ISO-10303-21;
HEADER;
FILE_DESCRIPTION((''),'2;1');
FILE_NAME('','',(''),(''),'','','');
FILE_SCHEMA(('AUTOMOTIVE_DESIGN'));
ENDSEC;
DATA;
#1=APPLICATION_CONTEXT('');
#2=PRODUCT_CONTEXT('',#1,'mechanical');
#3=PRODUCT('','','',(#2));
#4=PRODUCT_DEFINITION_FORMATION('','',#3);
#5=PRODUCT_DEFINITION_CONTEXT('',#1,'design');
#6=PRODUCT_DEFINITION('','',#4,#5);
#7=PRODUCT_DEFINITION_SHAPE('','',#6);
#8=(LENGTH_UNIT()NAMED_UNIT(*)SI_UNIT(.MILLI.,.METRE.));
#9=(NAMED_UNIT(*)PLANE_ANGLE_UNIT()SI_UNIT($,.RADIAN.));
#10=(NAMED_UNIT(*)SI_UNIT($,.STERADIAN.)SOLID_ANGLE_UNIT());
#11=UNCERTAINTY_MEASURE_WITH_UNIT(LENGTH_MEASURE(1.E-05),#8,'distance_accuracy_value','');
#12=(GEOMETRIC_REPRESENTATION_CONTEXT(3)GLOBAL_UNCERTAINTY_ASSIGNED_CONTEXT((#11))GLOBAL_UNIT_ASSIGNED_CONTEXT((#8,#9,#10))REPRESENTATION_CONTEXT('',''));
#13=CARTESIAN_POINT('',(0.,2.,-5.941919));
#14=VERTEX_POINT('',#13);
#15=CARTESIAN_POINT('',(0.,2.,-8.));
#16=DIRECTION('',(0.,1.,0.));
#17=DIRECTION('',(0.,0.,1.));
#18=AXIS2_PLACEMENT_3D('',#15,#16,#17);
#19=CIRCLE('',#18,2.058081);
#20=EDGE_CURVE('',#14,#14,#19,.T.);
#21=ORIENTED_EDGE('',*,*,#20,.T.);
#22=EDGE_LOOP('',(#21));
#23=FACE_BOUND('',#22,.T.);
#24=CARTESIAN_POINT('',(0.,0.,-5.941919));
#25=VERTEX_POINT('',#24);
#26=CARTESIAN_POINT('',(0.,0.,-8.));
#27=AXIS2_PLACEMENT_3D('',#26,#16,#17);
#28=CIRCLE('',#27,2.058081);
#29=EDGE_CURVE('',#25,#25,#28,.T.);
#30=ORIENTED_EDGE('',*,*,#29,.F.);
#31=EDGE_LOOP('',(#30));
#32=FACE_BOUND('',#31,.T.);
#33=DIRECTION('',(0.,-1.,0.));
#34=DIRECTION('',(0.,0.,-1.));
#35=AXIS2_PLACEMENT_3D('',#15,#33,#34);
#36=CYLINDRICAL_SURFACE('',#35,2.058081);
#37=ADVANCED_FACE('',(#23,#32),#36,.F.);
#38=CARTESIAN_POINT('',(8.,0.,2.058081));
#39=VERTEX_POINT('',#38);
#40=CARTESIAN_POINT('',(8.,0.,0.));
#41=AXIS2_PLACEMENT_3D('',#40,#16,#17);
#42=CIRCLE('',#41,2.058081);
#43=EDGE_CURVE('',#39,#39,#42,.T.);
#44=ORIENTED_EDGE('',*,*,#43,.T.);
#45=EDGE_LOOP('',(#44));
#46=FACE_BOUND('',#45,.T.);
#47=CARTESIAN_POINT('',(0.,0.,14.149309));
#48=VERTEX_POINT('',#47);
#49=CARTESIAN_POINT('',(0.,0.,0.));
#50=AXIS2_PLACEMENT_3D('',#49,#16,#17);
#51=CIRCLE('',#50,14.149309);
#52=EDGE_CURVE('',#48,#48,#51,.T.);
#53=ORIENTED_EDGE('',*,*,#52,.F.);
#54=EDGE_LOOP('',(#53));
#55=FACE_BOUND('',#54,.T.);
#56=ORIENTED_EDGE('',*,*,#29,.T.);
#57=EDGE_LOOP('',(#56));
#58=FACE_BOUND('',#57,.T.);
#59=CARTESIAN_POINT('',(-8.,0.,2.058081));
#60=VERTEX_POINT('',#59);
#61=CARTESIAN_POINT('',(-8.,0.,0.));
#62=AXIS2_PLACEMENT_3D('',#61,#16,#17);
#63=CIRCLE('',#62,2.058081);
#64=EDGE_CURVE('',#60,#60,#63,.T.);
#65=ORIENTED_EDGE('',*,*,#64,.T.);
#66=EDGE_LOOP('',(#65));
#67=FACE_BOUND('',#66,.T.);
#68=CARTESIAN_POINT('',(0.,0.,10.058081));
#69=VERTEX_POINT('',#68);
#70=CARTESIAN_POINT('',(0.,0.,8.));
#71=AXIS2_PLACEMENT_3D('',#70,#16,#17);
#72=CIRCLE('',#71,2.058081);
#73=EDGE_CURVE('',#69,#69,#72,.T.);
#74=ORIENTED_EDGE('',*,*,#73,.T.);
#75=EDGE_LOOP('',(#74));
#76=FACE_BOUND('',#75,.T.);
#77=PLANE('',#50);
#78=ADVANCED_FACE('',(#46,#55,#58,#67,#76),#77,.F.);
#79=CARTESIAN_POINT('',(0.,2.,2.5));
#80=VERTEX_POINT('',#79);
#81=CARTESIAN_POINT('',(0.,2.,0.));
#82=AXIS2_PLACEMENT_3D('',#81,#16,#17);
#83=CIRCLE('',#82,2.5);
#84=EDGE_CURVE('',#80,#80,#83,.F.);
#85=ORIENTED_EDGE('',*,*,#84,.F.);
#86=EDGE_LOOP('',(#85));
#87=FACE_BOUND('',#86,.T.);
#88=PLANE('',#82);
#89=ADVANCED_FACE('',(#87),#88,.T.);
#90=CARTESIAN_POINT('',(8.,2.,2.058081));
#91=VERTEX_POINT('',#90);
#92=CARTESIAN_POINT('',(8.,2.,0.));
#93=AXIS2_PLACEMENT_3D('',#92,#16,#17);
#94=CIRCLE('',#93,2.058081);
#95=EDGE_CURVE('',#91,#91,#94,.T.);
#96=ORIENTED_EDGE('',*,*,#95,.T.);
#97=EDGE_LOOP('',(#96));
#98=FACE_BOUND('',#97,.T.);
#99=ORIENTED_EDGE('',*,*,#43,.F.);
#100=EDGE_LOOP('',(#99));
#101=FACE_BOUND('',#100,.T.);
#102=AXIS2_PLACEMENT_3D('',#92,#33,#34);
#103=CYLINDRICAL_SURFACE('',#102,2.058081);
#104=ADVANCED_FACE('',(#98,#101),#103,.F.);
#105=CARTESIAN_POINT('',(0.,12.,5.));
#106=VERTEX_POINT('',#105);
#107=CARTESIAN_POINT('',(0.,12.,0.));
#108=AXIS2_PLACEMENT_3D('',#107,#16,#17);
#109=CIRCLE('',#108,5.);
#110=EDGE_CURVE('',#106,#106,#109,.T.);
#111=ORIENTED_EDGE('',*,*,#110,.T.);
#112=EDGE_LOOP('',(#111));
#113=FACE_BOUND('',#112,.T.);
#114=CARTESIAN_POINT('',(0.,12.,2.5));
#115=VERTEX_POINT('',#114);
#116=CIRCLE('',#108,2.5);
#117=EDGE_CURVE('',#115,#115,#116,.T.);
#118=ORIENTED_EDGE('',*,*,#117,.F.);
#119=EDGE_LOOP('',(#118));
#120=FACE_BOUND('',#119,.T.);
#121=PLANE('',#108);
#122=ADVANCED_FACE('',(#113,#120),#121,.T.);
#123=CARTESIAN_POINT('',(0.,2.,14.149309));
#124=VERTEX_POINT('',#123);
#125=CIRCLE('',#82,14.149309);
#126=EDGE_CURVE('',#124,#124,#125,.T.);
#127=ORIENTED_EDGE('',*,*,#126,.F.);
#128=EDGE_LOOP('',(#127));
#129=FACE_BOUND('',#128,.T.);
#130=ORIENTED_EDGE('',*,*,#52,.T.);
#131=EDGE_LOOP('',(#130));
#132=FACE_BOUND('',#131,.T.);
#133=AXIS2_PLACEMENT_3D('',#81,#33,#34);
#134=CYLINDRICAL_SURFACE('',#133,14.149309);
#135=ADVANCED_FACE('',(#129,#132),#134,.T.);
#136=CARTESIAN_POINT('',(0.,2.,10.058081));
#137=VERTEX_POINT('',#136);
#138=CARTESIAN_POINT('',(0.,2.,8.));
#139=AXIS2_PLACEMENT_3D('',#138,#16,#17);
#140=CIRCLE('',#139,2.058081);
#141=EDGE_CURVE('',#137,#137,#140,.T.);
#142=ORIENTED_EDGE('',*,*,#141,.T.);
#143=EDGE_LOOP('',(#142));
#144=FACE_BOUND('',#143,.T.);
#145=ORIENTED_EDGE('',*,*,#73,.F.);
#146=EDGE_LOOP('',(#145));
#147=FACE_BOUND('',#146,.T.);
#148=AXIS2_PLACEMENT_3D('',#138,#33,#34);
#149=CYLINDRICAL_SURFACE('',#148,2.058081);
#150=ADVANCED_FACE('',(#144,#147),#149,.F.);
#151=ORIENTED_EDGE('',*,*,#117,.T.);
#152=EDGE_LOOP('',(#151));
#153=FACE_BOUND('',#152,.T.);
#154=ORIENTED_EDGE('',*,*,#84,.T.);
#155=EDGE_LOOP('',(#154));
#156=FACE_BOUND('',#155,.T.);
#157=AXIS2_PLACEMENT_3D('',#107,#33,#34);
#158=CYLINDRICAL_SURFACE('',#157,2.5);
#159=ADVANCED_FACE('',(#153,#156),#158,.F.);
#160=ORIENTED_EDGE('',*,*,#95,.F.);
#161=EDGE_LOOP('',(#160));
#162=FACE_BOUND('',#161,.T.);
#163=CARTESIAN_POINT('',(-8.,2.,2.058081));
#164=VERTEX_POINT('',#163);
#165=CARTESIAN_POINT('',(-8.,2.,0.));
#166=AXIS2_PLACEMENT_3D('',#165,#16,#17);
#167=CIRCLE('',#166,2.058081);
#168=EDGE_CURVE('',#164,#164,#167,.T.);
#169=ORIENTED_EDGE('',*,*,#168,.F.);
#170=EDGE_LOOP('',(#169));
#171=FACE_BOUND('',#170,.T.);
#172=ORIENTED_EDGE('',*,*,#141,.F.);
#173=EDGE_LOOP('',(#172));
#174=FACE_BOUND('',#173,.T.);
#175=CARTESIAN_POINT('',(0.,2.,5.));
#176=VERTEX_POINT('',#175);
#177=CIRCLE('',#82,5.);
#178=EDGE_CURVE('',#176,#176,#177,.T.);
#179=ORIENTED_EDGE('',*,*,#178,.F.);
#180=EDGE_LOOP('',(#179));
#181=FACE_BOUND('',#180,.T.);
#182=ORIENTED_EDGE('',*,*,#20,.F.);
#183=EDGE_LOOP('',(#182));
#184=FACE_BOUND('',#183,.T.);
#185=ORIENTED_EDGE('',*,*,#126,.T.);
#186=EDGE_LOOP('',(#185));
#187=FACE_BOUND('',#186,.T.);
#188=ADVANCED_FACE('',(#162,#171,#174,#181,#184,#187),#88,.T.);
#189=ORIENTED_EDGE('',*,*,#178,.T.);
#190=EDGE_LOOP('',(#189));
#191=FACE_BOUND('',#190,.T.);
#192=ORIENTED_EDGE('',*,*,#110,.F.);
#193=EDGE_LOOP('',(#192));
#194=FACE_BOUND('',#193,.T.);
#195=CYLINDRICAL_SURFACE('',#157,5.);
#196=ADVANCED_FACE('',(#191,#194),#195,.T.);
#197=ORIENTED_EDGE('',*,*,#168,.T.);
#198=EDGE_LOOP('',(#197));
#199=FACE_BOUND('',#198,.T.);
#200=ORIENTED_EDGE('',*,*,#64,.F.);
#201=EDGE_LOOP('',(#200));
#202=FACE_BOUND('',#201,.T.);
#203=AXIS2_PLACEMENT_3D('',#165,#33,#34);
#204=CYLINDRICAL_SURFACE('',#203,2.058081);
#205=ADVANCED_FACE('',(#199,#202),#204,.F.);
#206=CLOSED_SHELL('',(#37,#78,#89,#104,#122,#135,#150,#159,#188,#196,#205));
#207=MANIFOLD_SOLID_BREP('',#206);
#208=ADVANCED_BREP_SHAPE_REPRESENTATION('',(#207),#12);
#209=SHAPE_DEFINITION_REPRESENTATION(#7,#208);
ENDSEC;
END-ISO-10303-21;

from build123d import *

# Parameters (mm, degrees)
SKETCH_1_R      = 14.149308539
SKETCH_1_R_2    = 2.058081242
EXTRUDE_1_DEPTH = 2
SKETCH_2_R      = 5
SKETCH_2_R_2    = 2.5
EXTRUDE_2_DEPTH = 10


with BuildPart() as part:
    # 草图1 → 凸台-拉伸1 (new body)
    with BuildSketch(Plane(origin=(0, 0, 0), x_dir=(1, 0, 0), z_dir=(0, 1, 0))):
        with Locations(Location((0, 0, 0), (0, 0, 270))):
            Circle(SKETCH_1_R)
        with Locations(Location((0, 8, 0), (0, 0, 270))):
            Circle(SKETCH_1_R_2, mode=Mode.SUBTRACT)
        with Locations(Location((-8, 0, 0), (0, 0, 270))):
            Circle(SKETCH_1_R_2, mode=Mode.SUBTRACT)
        with Locations(Location((0, -8, 0), (0, 0, 270))):
            Circle(SKETCH_1_R_2, mode=Mode.SUBTRACT)
        with Locations(Location((8, 0, 0), (0, 0, 270))):
            Circle(SKETCH_1_R_2, mode=Mode.SUBTRACT)
    extrude(amount=EXTRUDE_1_DEPTH)

    # 草图2 → 凸台-拉伸2 (add)
    with BuildSketch(Plane(origin=(0, 2, 0), x_dir=(1, 0, 0), z_dir=(0, 1, 0))):
        with Locations(Location((0, 0, 0), (0, 0, 270))):
            Circle(SKETCH_2_R)
        with Locations(Location((0, 0, 0), (0, 0, 270))):
            Circle(SKETCH_2_R_2, mode=Mode.SUBTRACT)
    extrude(amount=EXTRUDE_2_DEPTH)


solid = part.part
